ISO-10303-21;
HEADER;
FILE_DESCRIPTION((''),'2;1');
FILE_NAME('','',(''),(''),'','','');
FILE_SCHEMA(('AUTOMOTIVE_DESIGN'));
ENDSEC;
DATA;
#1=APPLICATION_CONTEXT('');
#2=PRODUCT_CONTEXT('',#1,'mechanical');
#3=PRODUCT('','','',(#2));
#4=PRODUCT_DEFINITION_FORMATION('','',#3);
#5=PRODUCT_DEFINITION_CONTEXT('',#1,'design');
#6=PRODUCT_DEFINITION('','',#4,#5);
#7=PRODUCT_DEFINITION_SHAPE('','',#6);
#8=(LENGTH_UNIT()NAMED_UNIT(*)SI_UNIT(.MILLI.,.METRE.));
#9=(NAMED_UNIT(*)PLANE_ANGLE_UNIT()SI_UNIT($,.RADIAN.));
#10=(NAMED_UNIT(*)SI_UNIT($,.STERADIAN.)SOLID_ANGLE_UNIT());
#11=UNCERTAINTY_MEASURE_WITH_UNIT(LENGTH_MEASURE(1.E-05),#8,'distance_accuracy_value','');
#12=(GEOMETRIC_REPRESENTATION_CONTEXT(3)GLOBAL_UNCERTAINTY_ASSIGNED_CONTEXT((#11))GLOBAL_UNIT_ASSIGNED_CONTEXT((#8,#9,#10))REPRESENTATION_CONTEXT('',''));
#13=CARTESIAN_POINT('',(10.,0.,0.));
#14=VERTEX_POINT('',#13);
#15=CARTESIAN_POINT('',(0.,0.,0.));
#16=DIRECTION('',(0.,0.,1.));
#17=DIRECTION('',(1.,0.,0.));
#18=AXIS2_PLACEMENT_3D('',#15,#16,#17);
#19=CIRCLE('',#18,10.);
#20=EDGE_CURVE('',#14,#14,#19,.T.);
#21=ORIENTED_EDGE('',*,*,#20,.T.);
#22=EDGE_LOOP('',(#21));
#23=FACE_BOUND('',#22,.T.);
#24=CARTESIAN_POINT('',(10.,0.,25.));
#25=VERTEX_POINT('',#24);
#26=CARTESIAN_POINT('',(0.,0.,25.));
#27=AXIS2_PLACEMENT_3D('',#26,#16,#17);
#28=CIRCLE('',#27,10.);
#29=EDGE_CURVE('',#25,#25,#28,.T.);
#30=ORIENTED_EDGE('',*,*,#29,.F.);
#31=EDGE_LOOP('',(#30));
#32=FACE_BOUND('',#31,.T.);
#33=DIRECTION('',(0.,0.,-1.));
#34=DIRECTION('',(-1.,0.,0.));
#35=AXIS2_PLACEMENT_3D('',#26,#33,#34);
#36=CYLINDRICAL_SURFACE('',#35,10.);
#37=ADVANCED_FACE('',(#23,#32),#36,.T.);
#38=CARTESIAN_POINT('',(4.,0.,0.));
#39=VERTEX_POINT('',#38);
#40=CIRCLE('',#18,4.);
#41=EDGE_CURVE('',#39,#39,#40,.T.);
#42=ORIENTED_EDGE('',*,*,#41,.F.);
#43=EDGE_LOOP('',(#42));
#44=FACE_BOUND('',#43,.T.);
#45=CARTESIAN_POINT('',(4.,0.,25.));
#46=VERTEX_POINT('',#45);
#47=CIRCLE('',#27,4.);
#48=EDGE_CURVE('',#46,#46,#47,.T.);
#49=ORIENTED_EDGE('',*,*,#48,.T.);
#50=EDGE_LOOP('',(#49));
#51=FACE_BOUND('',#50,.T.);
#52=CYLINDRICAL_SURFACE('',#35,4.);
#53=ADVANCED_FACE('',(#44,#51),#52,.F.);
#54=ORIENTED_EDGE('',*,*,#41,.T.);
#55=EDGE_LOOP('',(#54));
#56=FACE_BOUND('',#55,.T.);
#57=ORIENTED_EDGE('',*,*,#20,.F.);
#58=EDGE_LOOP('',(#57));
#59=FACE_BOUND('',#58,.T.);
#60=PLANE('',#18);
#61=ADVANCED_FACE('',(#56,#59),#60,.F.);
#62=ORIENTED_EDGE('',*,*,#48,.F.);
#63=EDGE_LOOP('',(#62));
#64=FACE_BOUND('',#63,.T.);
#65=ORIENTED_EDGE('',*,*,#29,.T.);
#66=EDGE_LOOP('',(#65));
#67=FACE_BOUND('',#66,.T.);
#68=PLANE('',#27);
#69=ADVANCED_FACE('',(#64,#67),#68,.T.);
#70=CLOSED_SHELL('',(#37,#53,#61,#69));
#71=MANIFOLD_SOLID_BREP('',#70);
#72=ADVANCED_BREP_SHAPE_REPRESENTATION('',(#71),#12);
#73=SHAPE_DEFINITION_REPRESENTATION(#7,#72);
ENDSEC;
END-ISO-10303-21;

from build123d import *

# Parameters (mm, degrees)
SKIZZE1_R                       = 10
SKIZZE1_R_2                     = 4
AUFSATZ_LINEAR_AUSTRAGEN1_DEPTH = 25


with BuildPart() as part:
    # Skizze1 → Aufsatz-Linear austragen1 (new body)
    with BuildSketch(Plane.XY):
        Circle(SKIZZE1_R)
        Circle(SKIZZE1_R_2, mode=Mode.SUBTRACT)
    extrude(amount=AUFSATZ_LINEAR_AUSTRAGEN1_DEPTH)


solid = part.part
